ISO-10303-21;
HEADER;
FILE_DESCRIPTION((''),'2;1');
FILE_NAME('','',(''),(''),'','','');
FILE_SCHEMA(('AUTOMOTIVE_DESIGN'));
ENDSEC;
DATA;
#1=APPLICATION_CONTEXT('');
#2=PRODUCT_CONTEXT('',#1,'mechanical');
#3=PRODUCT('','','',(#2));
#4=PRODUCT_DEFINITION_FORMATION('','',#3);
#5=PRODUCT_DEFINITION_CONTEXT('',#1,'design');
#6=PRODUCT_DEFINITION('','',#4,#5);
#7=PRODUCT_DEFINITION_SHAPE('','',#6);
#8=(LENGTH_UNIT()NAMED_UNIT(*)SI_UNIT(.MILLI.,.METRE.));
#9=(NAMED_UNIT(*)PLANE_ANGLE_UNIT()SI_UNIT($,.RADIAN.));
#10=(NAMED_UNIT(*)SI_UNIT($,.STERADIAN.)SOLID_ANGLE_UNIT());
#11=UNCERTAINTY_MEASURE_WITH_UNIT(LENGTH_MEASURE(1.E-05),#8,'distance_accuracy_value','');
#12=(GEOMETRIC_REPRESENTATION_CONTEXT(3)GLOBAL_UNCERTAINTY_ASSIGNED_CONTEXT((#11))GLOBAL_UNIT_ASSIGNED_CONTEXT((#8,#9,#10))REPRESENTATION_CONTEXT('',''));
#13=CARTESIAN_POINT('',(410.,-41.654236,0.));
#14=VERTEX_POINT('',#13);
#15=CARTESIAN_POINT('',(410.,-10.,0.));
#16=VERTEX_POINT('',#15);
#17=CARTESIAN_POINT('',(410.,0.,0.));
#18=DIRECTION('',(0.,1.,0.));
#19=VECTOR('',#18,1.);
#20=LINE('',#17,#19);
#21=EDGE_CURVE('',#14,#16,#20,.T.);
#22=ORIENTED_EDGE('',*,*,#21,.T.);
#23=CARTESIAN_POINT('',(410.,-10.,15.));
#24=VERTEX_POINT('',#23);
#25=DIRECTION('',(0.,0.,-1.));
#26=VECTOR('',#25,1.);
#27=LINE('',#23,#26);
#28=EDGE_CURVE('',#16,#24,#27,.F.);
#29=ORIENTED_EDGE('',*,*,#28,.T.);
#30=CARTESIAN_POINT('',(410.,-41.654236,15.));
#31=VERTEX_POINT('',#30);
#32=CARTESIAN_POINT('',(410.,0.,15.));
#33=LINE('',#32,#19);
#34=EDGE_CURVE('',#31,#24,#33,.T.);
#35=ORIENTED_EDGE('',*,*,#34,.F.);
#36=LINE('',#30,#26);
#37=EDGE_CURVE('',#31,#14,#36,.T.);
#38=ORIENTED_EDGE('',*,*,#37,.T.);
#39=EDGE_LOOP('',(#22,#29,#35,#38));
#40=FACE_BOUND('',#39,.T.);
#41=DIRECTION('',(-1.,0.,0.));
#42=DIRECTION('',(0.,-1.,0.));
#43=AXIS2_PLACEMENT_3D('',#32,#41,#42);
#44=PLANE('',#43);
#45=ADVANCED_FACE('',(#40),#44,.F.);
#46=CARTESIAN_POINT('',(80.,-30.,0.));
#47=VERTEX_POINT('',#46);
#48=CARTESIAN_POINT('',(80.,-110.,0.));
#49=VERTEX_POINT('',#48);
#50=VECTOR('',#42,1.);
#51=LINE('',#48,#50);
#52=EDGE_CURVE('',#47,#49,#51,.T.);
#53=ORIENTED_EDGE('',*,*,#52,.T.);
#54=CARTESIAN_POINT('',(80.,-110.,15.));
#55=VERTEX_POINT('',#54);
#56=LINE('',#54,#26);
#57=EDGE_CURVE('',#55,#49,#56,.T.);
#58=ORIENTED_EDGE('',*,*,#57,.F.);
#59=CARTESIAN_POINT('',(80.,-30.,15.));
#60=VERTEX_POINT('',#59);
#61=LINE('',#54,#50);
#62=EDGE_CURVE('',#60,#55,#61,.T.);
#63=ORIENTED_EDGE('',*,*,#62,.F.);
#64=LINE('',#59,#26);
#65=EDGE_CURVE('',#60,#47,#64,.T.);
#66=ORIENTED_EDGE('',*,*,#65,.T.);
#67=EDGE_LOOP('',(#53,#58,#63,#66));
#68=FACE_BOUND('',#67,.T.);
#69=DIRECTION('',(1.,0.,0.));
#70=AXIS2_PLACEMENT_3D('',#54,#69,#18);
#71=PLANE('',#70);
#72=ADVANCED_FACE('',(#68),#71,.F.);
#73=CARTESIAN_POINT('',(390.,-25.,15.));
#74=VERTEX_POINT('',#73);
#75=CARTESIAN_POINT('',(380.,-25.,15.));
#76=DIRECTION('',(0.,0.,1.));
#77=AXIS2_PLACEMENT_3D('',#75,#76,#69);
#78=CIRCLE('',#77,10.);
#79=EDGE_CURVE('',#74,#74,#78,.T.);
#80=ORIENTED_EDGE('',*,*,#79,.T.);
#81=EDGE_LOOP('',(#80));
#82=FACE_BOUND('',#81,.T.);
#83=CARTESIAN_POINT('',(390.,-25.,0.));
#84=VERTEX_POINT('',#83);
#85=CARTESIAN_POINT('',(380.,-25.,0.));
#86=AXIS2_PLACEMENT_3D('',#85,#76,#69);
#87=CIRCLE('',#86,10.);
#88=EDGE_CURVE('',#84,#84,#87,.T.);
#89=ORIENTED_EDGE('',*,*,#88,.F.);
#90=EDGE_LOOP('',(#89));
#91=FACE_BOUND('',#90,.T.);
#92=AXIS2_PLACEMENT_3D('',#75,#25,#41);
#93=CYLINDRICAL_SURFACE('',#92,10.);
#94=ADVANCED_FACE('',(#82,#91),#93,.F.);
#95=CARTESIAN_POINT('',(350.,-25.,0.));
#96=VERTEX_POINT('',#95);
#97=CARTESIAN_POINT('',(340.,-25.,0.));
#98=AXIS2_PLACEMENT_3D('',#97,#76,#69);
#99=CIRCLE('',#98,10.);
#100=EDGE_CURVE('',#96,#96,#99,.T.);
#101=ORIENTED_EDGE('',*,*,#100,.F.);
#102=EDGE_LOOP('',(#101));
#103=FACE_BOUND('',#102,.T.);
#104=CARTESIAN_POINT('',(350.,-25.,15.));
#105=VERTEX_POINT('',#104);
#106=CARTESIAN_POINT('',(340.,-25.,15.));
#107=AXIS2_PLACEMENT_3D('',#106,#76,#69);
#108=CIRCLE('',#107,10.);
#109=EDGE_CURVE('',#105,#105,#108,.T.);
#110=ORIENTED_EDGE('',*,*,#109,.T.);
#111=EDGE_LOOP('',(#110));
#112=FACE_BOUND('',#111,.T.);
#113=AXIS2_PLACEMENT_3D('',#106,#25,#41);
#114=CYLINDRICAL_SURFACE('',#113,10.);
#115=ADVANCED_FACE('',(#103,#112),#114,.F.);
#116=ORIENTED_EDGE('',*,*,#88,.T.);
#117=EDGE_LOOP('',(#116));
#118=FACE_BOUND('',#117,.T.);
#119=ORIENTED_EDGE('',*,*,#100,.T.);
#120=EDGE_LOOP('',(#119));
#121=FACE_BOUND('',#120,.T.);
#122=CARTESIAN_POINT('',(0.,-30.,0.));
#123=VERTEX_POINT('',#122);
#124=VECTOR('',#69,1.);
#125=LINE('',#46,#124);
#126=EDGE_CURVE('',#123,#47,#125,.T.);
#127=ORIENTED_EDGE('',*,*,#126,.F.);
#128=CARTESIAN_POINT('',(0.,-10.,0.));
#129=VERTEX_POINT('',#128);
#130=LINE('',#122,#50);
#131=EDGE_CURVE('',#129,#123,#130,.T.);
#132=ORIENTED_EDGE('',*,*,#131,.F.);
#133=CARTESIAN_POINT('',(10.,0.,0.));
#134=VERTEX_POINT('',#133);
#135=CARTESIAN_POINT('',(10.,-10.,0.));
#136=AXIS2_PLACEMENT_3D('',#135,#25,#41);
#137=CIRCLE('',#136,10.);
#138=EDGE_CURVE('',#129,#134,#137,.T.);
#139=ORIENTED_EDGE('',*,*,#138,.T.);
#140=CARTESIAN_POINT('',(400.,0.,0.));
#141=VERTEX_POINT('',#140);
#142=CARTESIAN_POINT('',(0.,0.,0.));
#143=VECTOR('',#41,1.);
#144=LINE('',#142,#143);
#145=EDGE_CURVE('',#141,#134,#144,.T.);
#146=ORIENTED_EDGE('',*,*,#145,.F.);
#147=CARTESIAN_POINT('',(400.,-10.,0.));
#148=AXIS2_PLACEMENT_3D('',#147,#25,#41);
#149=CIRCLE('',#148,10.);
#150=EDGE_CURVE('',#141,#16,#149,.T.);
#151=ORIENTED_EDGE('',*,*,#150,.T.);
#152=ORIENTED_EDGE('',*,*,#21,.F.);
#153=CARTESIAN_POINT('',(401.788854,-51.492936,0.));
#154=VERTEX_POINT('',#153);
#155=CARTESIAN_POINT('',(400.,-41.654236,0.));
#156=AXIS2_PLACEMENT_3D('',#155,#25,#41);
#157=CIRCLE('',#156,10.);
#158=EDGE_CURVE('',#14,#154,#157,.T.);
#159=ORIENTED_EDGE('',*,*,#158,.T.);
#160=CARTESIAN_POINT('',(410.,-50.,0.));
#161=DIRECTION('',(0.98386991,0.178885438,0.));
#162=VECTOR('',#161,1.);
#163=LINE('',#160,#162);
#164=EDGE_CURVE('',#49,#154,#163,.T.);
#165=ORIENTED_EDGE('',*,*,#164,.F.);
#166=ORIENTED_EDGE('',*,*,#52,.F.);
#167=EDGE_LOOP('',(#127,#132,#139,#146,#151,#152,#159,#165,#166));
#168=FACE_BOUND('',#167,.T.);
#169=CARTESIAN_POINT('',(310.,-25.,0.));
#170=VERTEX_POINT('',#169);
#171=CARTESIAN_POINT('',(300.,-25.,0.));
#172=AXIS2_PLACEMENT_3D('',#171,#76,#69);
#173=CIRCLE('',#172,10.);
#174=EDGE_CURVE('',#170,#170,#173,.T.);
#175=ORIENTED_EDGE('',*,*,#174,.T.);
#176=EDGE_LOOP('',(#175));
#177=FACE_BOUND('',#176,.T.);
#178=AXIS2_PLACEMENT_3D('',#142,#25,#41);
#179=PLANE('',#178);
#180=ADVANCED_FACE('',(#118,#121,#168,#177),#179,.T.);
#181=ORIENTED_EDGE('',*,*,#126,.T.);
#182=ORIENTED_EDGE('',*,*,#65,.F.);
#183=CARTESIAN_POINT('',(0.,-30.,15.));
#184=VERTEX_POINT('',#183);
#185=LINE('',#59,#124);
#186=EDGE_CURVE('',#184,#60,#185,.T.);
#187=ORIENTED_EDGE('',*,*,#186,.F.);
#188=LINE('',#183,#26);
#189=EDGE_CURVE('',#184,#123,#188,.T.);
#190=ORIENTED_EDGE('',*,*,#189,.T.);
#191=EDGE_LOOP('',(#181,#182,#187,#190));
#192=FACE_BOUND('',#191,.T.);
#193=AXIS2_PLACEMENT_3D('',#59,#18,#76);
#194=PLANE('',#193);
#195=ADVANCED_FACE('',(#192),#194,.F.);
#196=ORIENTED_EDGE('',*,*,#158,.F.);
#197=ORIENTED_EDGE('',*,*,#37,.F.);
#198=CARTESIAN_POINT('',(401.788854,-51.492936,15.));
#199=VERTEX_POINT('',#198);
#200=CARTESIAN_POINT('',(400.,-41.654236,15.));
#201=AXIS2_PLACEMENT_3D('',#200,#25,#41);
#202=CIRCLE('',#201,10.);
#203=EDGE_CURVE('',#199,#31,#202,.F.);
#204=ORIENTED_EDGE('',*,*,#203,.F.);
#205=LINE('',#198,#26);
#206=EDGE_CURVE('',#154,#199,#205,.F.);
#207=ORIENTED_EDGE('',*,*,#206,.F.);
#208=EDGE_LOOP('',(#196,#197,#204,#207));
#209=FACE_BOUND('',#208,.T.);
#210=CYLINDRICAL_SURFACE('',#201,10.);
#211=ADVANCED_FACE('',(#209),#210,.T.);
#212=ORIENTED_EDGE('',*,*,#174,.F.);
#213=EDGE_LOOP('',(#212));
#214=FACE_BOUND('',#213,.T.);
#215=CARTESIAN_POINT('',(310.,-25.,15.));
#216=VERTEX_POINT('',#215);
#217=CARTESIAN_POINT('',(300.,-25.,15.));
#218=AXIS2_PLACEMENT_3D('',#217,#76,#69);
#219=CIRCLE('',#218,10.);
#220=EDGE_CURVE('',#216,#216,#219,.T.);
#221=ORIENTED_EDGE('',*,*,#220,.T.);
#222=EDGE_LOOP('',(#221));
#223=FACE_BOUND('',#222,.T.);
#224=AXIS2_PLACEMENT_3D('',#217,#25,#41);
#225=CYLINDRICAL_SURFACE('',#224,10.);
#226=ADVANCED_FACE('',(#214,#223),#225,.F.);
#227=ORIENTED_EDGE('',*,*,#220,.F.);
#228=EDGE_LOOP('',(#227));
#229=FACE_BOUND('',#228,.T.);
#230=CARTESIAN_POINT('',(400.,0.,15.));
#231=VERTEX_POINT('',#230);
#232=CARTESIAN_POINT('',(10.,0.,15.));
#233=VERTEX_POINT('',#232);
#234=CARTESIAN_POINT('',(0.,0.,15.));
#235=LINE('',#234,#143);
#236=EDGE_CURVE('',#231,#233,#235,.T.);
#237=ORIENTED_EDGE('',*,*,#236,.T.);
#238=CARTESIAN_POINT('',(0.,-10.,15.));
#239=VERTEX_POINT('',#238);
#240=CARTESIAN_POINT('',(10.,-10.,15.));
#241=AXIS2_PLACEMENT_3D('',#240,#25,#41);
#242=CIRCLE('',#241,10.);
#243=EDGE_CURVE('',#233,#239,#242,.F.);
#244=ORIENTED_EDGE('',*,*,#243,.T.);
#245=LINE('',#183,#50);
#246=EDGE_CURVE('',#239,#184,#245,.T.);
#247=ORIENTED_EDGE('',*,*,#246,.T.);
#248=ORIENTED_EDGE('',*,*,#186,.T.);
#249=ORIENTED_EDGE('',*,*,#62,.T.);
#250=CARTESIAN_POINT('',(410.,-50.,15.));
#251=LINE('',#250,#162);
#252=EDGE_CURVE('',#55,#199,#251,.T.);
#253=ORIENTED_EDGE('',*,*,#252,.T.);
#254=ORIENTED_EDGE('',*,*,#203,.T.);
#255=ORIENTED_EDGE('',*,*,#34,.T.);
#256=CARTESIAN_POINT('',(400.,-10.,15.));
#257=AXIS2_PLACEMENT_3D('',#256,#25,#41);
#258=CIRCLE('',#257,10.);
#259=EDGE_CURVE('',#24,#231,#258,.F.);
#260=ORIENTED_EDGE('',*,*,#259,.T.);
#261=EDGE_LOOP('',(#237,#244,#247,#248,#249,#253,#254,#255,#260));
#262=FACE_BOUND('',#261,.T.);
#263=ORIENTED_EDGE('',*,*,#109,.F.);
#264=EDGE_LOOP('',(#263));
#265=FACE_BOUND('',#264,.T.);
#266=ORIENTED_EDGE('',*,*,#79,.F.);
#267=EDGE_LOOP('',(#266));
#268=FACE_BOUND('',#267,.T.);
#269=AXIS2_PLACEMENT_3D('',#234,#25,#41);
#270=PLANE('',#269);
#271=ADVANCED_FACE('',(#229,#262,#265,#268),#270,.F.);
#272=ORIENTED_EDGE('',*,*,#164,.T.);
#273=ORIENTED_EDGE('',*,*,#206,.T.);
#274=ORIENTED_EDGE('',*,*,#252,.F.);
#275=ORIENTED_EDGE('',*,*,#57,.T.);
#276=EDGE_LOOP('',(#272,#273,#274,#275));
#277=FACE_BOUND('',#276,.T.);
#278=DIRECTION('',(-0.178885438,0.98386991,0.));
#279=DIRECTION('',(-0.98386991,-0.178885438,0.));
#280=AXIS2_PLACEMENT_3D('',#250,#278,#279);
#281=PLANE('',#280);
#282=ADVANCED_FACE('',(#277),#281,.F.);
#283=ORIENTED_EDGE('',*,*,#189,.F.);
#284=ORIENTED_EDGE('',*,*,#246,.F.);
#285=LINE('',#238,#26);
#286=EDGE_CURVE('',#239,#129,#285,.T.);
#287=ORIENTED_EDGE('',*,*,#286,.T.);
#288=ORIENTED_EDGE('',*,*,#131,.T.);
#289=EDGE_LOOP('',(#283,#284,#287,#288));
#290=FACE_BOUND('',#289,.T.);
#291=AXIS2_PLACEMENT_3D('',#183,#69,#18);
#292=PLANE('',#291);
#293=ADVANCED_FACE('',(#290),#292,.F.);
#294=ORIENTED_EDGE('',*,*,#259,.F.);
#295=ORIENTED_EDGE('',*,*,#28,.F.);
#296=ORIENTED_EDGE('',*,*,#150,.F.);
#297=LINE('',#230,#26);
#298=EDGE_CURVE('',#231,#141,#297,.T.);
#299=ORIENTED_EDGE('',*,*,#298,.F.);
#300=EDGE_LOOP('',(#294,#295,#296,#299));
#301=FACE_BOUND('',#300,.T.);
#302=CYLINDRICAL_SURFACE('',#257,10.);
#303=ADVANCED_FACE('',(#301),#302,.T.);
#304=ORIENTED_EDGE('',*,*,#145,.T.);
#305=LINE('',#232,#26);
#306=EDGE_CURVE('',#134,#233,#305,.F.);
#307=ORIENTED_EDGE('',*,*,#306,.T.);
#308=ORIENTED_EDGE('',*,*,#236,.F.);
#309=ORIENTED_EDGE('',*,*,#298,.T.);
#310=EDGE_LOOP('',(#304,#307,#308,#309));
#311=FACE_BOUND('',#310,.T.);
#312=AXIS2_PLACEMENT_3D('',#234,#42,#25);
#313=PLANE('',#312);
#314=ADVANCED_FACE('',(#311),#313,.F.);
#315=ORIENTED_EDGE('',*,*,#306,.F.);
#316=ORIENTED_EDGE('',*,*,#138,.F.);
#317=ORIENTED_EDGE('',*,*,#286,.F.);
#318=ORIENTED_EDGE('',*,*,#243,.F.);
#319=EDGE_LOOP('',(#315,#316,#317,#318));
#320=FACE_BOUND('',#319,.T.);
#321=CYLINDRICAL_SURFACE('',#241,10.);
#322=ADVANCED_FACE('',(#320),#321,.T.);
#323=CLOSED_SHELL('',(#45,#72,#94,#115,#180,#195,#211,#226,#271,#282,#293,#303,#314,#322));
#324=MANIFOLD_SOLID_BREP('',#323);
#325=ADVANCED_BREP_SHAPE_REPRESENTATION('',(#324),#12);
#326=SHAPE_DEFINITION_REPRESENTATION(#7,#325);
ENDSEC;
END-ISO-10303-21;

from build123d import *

# Parameters (mm, degrees)
ESQUISSE1_R        = 10
BOSS_EXTRU_1_DEPTH = 15
CONG_1_R           = 10


with BuildPart() as part:
    # Esquisse1 → Boss.-Extru.1 (new body)
    with BuildSketch(Plane.XY):
        Polygon((0, 0), (410, 0), (410, -50), (80, -110), (80, -30), (0, -30), align=None)
        with Locations((300, -25)):
            Circle(ESQUISSE1_R, mode=Mode.SUBTRACT)
        with Locations((340, -25)):
            Circle(ESQUISSE1_R, mode=Mode.SUBTRACT)
        with Locations((380, -25)):
            Circle(ESQUISSE1_R, mode=Mode.SUBTRACT)
    extrude(amount=BOSS_EXTRU_1_DEPTH)

    # Congé1
    cong_1_edges = [part.edges().sort_by_distance(p)[0] for p in [
        (0, 0, 7.5),
        (410, 0, 7.5),
        (410, -50, 7.5),
    ]]
    fillet(cong_1_edges, radius=CONG_1_R)


solid = part.part
